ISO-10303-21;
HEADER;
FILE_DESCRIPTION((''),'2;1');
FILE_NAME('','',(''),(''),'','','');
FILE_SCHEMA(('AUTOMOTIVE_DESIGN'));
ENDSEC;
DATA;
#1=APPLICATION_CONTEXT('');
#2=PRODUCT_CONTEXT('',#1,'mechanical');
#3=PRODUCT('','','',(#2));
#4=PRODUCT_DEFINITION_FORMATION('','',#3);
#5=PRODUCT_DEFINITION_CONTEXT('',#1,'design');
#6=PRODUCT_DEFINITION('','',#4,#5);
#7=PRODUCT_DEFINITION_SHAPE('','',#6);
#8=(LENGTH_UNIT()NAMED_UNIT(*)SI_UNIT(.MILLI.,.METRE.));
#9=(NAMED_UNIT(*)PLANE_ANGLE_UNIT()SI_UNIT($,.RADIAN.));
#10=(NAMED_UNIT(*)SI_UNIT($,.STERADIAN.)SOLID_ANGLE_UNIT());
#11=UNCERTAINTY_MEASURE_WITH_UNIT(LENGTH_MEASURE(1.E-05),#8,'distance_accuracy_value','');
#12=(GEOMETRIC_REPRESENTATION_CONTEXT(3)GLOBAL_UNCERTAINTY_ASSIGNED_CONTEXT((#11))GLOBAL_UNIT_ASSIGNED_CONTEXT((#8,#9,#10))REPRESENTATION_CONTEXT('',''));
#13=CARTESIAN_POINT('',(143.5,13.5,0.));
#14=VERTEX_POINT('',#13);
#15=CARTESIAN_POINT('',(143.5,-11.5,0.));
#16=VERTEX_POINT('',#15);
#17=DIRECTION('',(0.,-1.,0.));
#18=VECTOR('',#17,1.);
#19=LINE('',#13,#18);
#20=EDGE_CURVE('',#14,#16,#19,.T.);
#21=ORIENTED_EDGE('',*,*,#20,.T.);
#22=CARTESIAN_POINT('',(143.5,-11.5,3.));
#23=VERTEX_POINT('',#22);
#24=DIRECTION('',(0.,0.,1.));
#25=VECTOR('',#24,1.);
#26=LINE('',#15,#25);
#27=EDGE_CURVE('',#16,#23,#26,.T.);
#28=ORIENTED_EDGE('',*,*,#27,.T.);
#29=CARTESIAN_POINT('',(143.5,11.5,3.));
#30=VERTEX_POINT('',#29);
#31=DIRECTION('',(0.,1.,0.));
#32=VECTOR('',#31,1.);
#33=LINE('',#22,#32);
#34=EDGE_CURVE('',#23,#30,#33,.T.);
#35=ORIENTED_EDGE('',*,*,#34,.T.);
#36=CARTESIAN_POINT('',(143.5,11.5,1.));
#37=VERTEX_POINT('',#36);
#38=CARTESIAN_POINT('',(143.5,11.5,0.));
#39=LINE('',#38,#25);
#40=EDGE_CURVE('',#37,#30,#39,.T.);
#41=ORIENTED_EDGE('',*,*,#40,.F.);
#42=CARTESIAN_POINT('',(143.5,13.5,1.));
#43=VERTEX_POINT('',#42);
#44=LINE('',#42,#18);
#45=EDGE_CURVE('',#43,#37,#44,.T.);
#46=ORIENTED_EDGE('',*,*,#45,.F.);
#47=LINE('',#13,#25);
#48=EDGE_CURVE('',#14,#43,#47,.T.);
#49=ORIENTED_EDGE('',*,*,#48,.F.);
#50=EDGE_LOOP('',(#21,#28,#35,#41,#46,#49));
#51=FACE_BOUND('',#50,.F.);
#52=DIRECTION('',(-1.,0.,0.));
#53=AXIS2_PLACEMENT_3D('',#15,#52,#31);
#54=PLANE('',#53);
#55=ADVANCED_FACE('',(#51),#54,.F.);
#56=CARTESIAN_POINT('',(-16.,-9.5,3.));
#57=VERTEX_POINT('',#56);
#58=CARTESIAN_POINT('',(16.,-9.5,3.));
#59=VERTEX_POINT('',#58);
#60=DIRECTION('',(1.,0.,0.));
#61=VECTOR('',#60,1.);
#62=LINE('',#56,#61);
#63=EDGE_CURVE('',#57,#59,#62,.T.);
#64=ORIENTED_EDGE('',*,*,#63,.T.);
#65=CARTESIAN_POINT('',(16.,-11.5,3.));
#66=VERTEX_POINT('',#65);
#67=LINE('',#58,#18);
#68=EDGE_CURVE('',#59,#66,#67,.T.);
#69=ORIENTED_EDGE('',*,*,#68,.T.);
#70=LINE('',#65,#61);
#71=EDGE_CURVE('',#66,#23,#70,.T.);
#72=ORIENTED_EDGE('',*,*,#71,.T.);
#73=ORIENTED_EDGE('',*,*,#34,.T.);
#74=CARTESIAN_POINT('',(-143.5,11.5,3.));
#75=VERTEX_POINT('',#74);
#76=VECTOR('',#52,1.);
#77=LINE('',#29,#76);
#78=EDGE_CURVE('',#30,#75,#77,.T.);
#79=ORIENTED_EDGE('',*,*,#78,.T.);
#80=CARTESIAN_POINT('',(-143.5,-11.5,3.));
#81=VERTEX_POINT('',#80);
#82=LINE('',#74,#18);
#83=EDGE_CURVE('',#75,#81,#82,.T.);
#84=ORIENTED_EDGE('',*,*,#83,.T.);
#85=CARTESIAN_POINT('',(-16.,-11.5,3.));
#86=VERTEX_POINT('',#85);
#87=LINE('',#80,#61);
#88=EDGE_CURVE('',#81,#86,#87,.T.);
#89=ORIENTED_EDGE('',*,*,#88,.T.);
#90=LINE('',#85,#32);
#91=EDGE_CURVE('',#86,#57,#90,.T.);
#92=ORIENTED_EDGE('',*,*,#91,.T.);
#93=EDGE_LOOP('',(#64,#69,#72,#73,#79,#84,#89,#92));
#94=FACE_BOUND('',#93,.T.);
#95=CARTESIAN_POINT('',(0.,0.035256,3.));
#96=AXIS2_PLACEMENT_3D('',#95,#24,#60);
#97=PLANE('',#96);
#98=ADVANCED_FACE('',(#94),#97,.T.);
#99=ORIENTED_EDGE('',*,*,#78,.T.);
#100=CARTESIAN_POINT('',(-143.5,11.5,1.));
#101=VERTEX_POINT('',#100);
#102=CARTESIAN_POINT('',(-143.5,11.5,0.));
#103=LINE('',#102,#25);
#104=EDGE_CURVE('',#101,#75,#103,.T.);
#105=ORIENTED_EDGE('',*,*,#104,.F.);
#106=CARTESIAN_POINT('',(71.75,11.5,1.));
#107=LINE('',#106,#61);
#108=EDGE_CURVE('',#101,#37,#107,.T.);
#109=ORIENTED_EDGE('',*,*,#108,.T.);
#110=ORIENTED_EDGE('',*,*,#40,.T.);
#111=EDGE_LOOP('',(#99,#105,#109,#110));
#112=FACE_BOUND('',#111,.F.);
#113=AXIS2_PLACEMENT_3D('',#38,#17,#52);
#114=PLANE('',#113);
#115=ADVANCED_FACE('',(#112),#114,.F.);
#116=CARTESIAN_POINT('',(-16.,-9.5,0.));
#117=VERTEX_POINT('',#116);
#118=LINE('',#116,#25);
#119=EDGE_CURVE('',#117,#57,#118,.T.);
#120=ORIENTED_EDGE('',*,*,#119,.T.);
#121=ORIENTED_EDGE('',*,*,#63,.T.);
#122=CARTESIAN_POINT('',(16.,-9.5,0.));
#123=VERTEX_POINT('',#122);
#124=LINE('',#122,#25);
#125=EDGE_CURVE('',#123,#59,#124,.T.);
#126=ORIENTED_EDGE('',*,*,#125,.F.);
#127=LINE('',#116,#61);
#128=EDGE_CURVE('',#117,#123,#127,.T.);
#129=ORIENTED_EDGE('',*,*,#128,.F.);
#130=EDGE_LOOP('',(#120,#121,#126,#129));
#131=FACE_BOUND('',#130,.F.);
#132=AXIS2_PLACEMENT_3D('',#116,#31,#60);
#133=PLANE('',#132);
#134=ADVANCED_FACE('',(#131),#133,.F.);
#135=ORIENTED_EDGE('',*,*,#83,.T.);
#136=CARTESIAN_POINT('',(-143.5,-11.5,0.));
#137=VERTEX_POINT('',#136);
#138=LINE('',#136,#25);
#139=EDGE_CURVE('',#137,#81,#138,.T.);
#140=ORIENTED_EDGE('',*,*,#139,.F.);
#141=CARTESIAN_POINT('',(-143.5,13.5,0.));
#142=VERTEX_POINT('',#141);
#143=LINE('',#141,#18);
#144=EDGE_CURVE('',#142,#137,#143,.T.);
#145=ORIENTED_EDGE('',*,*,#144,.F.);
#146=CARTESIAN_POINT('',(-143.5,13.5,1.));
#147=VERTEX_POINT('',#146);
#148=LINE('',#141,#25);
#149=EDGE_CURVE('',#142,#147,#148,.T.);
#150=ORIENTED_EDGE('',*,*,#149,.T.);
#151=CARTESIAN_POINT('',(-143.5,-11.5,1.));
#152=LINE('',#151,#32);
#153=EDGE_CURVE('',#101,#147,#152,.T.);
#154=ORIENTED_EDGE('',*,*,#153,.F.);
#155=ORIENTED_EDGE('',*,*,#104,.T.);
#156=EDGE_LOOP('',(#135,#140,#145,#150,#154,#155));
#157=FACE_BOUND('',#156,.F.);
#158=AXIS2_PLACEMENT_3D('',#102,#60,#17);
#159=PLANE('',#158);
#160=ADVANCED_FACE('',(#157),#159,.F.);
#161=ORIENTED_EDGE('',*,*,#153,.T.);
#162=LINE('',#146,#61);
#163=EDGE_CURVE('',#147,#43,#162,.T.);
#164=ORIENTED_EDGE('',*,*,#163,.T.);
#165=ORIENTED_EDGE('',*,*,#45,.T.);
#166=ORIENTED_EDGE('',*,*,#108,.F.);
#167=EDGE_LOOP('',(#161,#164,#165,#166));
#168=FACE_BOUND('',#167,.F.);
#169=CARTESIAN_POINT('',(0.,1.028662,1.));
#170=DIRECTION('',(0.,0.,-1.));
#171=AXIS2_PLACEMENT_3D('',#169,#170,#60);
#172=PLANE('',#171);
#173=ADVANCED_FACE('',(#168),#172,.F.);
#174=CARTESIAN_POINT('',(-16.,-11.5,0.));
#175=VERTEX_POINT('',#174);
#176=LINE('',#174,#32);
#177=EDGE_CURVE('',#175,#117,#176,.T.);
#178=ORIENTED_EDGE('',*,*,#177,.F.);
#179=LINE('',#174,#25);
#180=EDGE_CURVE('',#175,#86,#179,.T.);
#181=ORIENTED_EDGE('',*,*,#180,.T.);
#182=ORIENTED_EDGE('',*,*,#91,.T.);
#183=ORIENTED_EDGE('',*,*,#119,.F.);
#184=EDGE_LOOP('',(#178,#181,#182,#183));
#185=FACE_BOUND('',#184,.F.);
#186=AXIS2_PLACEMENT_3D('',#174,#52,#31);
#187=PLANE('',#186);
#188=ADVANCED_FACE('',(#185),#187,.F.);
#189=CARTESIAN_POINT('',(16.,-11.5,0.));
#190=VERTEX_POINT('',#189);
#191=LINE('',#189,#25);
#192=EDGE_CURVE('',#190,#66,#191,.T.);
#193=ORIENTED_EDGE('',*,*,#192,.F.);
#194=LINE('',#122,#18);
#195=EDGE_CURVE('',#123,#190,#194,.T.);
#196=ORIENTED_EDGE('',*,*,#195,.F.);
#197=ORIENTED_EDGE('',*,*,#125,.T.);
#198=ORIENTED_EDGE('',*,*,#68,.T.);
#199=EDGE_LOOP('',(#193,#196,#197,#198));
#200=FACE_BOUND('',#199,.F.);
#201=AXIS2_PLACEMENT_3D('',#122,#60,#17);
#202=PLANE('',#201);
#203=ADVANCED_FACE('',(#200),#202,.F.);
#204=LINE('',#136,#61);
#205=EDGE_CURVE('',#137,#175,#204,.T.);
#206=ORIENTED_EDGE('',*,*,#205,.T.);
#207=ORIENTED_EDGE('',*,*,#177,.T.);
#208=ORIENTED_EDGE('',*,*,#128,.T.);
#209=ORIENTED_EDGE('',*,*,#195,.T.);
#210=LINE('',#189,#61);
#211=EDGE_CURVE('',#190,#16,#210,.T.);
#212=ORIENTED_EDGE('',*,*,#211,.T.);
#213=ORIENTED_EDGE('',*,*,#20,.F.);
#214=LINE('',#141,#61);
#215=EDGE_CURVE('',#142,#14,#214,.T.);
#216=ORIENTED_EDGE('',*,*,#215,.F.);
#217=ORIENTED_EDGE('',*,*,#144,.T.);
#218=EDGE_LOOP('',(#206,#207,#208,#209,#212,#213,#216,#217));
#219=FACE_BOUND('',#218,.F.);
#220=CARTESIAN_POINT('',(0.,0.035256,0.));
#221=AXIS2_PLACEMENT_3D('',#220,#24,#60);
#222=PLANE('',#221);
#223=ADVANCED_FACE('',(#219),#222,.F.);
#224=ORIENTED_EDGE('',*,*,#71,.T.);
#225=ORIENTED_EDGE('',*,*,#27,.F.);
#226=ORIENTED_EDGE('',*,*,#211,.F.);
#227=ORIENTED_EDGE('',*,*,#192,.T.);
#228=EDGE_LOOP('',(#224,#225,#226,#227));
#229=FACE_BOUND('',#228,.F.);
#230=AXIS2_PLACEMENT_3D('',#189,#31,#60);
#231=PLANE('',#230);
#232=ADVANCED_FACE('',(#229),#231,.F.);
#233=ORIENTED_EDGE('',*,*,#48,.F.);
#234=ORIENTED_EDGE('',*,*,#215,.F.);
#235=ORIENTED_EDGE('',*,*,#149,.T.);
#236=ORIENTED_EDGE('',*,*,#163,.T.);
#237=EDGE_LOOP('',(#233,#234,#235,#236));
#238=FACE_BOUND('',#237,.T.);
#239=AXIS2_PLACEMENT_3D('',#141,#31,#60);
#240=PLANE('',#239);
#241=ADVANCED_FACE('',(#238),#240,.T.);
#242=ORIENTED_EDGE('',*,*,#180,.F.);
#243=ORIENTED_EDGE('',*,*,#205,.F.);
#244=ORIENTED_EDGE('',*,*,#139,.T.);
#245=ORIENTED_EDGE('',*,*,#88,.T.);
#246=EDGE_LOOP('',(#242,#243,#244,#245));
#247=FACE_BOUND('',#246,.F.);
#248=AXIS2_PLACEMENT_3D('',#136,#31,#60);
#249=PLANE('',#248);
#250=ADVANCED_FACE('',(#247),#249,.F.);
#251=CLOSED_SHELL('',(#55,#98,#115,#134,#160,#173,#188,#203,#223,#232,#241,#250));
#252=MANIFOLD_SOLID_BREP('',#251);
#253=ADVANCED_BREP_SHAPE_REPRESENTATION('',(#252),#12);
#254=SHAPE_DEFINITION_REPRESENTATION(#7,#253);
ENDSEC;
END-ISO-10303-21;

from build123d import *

# Parameters (mm, degrees)
PAD_DEPTH    = 3
PAD001_DEPTH = 1


with BuildPart() as part:
    # Sketch → Pad (new body)
    with BuildSketch(Plane.XY):
        Polygon((-143.5, 11.5), (-143.5, -11.5), (-16, -11.5), (-16, -9.5), (16, -9.5), (16, -11.5), (143.5, -11.5), (143.5, 11.5), align=None)
    extrude(amount=PAD_DEPTH)

    # Sketch001 (on Face9 of Pad) → Pad001 (join)
    with BuildSketch(Plane(origin=(0, 0, 0), x_dir=(1, 0, 0), z_dir=(0, 0, -1))):
        Polygon((-143.5, 11.5), (-143.5, -13.5), (143.5, -13.5), (143.5, 11.5), (16, 11.5), (16, 9.5), (-16, 9.5), (-16, 11.5), align=None)
    extrude(amount=-PAD001_DEPTH)


solid = part.part
